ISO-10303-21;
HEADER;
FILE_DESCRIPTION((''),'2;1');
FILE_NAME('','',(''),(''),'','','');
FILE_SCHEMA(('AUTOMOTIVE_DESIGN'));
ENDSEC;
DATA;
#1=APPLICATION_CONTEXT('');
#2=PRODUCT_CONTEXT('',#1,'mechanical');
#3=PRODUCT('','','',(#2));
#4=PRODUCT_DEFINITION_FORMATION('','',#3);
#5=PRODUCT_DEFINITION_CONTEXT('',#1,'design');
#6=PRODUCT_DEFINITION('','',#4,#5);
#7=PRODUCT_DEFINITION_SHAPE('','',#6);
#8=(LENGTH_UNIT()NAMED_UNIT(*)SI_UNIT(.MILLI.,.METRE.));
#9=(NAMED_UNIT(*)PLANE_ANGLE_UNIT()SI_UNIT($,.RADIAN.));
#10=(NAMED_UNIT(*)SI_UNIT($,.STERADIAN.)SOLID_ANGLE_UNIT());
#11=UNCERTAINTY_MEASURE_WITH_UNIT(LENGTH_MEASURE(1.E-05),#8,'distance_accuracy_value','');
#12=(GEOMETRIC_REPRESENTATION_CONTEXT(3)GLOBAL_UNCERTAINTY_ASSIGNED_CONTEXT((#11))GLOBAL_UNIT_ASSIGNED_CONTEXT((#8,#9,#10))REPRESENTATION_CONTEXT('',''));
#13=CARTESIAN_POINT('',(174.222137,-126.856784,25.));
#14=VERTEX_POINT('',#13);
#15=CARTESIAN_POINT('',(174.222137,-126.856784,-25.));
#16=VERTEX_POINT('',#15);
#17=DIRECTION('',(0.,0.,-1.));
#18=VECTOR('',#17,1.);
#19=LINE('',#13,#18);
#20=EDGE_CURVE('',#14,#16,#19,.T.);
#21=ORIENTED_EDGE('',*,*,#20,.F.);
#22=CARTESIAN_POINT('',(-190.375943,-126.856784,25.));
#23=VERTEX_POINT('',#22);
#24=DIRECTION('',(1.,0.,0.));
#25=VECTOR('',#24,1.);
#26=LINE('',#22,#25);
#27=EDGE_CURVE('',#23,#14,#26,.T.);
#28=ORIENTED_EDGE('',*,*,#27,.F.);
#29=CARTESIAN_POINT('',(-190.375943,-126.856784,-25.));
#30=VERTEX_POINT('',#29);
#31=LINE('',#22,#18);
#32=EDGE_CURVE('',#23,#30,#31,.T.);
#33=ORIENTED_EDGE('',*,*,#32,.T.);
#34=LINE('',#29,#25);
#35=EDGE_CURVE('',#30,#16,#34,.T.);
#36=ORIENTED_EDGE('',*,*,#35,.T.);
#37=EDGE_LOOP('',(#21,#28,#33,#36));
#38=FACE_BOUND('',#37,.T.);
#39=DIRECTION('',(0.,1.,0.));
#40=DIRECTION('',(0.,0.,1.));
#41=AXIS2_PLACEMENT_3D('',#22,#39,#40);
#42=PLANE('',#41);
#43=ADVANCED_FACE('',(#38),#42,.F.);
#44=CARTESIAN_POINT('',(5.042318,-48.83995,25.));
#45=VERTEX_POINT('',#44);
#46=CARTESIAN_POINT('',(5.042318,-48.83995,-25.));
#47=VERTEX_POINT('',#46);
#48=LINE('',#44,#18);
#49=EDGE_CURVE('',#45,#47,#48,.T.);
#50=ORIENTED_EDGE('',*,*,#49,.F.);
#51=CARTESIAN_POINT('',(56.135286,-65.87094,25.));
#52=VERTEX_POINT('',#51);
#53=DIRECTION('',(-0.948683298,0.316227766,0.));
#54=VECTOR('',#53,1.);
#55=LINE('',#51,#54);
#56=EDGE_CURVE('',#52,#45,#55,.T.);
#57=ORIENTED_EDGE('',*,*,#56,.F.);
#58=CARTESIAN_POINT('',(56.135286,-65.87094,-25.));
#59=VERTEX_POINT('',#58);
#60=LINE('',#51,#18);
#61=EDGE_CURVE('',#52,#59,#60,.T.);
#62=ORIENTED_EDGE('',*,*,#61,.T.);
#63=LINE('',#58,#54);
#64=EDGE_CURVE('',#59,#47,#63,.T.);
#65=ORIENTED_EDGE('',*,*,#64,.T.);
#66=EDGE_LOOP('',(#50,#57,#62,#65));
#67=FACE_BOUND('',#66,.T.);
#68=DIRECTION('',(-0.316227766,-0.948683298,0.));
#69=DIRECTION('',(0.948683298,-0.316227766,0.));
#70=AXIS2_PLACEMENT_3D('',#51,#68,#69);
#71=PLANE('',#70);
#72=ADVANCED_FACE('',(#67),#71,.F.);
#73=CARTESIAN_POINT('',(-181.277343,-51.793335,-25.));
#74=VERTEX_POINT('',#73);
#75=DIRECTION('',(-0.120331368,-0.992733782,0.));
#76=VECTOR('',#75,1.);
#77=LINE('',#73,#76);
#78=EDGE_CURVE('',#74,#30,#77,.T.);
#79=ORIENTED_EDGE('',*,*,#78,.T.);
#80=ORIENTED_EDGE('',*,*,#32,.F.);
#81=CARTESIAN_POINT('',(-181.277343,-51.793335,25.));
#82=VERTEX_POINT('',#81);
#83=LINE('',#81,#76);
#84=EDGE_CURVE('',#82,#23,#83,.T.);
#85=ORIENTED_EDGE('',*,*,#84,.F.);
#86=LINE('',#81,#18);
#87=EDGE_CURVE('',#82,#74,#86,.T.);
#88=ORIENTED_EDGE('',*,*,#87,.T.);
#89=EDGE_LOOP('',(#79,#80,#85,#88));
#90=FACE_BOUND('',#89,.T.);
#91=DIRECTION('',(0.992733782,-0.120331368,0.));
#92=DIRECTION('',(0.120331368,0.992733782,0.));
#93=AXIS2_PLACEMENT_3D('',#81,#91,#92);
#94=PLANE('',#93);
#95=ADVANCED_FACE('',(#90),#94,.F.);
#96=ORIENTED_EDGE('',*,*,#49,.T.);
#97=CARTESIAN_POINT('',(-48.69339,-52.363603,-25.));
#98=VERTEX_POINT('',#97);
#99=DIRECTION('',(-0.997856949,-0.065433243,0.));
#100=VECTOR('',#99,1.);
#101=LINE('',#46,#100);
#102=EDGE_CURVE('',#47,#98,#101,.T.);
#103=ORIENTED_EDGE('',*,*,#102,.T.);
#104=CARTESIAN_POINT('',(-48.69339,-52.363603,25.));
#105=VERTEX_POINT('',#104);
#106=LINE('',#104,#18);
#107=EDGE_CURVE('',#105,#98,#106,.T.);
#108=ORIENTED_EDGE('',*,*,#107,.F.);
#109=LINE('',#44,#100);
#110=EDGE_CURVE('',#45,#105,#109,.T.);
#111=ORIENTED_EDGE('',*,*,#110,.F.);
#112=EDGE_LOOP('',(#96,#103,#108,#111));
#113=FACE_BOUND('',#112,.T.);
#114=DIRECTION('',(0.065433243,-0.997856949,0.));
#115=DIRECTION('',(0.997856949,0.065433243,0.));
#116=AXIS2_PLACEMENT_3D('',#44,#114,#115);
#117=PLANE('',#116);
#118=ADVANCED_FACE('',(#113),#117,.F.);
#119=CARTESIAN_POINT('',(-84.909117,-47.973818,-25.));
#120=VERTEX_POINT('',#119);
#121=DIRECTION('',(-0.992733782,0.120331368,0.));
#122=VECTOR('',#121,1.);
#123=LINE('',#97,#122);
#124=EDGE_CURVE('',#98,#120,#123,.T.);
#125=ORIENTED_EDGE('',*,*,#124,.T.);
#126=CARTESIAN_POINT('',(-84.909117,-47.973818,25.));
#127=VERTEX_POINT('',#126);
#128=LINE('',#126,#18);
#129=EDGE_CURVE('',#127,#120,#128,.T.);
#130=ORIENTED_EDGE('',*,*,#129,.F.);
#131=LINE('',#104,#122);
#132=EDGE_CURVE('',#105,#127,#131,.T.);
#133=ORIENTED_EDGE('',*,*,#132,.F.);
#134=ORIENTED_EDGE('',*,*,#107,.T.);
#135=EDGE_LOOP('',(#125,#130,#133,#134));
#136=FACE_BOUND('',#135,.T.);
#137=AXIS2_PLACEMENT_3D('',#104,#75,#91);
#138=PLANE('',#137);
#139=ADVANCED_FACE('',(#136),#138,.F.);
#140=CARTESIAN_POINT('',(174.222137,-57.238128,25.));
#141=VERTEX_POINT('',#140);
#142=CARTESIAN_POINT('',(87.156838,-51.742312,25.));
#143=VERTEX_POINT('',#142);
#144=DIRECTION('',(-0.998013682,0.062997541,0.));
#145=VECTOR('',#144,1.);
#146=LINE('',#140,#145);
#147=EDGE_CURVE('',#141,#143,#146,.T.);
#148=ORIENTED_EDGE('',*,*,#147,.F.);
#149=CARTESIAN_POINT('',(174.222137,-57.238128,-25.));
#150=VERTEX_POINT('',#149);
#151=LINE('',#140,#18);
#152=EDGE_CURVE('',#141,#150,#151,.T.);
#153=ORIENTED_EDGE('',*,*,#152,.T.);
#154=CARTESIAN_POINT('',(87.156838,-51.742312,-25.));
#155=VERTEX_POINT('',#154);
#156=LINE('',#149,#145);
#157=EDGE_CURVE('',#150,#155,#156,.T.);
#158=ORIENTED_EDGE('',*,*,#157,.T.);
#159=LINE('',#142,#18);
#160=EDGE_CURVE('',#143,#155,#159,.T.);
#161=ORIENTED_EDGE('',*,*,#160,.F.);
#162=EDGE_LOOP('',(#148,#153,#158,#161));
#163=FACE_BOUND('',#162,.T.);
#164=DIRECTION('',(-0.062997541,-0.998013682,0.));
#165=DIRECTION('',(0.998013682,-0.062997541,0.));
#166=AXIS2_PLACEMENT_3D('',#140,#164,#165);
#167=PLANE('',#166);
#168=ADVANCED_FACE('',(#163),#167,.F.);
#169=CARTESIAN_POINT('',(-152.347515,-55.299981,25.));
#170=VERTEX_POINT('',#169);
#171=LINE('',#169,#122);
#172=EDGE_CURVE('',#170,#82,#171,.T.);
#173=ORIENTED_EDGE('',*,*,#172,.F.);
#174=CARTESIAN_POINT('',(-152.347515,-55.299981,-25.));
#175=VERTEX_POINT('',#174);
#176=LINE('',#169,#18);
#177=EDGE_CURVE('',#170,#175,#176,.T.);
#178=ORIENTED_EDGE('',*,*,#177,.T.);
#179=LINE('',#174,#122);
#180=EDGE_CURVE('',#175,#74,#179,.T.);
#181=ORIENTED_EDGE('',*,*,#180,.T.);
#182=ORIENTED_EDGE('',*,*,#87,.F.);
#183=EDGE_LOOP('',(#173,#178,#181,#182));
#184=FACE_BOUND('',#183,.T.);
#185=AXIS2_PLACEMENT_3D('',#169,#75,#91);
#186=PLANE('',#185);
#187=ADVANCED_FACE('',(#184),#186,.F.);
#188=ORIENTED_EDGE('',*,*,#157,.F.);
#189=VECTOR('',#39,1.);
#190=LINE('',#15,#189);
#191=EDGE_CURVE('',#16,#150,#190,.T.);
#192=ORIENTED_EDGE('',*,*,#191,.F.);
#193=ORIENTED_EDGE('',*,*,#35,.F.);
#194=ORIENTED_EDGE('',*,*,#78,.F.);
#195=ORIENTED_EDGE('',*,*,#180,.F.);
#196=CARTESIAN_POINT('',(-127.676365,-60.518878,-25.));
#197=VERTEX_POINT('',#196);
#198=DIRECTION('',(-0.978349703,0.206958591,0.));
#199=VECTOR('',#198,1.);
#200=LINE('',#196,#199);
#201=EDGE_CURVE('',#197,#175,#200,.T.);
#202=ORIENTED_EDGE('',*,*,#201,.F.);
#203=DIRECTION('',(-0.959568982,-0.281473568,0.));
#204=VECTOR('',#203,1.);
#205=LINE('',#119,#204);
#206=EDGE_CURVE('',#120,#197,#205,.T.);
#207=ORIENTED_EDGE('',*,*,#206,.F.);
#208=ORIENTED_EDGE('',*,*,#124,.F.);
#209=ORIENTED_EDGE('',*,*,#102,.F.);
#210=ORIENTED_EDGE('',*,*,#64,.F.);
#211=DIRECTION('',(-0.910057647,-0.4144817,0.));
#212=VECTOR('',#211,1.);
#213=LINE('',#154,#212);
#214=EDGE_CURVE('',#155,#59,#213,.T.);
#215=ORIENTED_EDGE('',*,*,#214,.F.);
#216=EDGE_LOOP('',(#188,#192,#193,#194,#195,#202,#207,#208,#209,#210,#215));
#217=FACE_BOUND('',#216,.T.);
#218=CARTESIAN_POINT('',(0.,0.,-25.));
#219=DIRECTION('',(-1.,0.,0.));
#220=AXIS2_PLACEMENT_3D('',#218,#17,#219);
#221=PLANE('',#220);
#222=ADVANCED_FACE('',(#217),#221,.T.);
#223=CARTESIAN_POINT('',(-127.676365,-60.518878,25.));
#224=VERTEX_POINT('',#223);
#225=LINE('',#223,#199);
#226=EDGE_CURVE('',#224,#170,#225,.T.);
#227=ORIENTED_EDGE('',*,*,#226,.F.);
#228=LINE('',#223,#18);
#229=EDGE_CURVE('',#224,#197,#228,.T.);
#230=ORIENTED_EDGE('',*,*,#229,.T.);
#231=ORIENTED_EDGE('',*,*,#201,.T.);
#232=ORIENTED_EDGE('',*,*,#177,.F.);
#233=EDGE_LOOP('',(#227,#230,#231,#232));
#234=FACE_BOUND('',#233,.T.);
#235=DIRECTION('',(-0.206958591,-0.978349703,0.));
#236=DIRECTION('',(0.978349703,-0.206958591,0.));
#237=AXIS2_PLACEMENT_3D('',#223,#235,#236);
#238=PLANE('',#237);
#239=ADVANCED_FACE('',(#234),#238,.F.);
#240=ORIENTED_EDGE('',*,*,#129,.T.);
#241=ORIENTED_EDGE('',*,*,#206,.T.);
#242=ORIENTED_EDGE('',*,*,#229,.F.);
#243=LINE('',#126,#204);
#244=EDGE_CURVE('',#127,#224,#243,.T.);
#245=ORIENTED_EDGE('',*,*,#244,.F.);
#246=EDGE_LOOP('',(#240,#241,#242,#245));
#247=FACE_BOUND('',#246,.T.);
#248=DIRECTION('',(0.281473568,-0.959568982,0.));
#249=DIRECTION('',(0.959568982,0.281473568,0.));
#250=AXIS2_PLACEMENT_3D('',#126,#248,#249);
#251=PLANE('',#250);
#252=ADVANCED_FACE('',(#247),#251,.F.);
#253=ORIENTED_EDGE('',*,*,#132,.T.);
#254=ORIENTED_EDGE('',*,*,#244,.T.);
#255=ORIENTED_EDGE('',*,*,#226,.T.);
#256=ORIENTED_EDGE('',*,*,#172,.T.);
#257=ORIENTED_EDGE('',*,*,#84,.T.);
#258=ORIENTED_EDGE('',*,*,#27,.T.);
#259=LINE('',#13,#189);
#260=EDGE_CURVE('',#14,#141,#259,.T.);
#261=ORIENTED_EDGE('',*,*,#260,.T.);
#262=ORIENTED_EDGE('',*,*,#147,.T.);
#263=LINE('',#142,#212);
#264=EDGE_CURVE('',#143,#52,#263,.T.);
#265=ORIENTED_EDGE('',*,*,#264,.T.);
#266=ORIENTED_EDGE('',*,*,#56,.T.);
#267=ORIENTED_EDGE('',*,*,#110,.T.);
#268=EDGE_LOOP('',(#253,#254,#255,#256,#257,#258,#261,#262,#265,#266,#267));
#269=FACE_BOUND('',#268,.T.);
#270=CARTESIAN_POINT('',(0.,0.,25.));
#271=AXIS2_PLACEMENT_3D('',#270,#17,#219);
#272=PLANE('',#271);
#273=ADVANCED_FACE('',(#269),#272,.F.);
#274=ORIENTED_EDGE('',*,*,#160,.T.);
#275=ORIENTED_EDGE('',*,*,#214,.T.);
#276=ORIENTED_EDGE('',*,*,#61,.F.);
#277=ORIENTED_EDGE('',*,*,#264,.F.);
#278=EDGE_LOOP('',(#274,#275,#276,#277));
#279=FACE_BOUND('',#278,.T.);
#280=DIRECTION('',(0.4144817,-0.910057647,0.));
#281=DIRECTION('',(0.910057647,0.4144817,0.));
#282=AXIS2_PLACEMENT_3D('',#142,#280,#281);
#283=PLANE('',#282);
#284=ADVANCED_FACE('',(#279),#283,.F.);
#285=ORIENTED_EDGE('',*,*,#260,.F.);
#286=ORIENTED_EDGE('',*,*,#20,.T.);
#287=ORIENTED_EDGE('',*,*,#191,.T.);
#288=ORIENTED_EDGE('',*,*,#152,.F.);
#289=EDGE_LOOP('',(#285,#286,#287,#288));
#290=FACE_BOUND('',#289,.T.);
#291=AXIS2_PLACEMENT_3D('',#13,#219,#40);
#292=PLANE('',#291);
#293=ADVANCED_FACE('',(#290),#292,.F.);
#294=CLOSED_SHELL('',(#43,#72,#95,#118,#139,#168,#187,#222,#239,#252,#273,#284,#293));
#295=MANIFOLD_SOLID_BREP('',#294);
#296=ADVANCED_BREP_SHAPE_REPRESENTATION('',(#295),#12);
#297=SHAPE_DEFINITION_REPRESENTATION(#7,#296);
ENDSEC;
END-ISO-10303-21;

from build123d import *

# Parameters (mm, degrees)
BOSS_EXTRUDE1_DEPTH = 25


with BuildPart() as part:
    # Sketch1 → Boss-Extrude1 (new, symmetric)
    with BuildSketch(Plane.XY):
        Polygon((174.222136922, -57.238128372), (87.15683818, -51.742312172), (56.135286368, -65.87093973), (5.042318242, -48.839950355), (-48.693389614, -52.363603329), (-84.909116911, -47.973818202), (-127.676365392, -60.518877757), (-152.347514605, -55.299980807), (-181.277343289, -51.793334906), (-190.375943184, -126.856784041), (174.222136922, -126.856784041), align=None)
    extrude(amount=BOSS_EXTRUDE1_DEPTH, both=True)


solid = part.part
